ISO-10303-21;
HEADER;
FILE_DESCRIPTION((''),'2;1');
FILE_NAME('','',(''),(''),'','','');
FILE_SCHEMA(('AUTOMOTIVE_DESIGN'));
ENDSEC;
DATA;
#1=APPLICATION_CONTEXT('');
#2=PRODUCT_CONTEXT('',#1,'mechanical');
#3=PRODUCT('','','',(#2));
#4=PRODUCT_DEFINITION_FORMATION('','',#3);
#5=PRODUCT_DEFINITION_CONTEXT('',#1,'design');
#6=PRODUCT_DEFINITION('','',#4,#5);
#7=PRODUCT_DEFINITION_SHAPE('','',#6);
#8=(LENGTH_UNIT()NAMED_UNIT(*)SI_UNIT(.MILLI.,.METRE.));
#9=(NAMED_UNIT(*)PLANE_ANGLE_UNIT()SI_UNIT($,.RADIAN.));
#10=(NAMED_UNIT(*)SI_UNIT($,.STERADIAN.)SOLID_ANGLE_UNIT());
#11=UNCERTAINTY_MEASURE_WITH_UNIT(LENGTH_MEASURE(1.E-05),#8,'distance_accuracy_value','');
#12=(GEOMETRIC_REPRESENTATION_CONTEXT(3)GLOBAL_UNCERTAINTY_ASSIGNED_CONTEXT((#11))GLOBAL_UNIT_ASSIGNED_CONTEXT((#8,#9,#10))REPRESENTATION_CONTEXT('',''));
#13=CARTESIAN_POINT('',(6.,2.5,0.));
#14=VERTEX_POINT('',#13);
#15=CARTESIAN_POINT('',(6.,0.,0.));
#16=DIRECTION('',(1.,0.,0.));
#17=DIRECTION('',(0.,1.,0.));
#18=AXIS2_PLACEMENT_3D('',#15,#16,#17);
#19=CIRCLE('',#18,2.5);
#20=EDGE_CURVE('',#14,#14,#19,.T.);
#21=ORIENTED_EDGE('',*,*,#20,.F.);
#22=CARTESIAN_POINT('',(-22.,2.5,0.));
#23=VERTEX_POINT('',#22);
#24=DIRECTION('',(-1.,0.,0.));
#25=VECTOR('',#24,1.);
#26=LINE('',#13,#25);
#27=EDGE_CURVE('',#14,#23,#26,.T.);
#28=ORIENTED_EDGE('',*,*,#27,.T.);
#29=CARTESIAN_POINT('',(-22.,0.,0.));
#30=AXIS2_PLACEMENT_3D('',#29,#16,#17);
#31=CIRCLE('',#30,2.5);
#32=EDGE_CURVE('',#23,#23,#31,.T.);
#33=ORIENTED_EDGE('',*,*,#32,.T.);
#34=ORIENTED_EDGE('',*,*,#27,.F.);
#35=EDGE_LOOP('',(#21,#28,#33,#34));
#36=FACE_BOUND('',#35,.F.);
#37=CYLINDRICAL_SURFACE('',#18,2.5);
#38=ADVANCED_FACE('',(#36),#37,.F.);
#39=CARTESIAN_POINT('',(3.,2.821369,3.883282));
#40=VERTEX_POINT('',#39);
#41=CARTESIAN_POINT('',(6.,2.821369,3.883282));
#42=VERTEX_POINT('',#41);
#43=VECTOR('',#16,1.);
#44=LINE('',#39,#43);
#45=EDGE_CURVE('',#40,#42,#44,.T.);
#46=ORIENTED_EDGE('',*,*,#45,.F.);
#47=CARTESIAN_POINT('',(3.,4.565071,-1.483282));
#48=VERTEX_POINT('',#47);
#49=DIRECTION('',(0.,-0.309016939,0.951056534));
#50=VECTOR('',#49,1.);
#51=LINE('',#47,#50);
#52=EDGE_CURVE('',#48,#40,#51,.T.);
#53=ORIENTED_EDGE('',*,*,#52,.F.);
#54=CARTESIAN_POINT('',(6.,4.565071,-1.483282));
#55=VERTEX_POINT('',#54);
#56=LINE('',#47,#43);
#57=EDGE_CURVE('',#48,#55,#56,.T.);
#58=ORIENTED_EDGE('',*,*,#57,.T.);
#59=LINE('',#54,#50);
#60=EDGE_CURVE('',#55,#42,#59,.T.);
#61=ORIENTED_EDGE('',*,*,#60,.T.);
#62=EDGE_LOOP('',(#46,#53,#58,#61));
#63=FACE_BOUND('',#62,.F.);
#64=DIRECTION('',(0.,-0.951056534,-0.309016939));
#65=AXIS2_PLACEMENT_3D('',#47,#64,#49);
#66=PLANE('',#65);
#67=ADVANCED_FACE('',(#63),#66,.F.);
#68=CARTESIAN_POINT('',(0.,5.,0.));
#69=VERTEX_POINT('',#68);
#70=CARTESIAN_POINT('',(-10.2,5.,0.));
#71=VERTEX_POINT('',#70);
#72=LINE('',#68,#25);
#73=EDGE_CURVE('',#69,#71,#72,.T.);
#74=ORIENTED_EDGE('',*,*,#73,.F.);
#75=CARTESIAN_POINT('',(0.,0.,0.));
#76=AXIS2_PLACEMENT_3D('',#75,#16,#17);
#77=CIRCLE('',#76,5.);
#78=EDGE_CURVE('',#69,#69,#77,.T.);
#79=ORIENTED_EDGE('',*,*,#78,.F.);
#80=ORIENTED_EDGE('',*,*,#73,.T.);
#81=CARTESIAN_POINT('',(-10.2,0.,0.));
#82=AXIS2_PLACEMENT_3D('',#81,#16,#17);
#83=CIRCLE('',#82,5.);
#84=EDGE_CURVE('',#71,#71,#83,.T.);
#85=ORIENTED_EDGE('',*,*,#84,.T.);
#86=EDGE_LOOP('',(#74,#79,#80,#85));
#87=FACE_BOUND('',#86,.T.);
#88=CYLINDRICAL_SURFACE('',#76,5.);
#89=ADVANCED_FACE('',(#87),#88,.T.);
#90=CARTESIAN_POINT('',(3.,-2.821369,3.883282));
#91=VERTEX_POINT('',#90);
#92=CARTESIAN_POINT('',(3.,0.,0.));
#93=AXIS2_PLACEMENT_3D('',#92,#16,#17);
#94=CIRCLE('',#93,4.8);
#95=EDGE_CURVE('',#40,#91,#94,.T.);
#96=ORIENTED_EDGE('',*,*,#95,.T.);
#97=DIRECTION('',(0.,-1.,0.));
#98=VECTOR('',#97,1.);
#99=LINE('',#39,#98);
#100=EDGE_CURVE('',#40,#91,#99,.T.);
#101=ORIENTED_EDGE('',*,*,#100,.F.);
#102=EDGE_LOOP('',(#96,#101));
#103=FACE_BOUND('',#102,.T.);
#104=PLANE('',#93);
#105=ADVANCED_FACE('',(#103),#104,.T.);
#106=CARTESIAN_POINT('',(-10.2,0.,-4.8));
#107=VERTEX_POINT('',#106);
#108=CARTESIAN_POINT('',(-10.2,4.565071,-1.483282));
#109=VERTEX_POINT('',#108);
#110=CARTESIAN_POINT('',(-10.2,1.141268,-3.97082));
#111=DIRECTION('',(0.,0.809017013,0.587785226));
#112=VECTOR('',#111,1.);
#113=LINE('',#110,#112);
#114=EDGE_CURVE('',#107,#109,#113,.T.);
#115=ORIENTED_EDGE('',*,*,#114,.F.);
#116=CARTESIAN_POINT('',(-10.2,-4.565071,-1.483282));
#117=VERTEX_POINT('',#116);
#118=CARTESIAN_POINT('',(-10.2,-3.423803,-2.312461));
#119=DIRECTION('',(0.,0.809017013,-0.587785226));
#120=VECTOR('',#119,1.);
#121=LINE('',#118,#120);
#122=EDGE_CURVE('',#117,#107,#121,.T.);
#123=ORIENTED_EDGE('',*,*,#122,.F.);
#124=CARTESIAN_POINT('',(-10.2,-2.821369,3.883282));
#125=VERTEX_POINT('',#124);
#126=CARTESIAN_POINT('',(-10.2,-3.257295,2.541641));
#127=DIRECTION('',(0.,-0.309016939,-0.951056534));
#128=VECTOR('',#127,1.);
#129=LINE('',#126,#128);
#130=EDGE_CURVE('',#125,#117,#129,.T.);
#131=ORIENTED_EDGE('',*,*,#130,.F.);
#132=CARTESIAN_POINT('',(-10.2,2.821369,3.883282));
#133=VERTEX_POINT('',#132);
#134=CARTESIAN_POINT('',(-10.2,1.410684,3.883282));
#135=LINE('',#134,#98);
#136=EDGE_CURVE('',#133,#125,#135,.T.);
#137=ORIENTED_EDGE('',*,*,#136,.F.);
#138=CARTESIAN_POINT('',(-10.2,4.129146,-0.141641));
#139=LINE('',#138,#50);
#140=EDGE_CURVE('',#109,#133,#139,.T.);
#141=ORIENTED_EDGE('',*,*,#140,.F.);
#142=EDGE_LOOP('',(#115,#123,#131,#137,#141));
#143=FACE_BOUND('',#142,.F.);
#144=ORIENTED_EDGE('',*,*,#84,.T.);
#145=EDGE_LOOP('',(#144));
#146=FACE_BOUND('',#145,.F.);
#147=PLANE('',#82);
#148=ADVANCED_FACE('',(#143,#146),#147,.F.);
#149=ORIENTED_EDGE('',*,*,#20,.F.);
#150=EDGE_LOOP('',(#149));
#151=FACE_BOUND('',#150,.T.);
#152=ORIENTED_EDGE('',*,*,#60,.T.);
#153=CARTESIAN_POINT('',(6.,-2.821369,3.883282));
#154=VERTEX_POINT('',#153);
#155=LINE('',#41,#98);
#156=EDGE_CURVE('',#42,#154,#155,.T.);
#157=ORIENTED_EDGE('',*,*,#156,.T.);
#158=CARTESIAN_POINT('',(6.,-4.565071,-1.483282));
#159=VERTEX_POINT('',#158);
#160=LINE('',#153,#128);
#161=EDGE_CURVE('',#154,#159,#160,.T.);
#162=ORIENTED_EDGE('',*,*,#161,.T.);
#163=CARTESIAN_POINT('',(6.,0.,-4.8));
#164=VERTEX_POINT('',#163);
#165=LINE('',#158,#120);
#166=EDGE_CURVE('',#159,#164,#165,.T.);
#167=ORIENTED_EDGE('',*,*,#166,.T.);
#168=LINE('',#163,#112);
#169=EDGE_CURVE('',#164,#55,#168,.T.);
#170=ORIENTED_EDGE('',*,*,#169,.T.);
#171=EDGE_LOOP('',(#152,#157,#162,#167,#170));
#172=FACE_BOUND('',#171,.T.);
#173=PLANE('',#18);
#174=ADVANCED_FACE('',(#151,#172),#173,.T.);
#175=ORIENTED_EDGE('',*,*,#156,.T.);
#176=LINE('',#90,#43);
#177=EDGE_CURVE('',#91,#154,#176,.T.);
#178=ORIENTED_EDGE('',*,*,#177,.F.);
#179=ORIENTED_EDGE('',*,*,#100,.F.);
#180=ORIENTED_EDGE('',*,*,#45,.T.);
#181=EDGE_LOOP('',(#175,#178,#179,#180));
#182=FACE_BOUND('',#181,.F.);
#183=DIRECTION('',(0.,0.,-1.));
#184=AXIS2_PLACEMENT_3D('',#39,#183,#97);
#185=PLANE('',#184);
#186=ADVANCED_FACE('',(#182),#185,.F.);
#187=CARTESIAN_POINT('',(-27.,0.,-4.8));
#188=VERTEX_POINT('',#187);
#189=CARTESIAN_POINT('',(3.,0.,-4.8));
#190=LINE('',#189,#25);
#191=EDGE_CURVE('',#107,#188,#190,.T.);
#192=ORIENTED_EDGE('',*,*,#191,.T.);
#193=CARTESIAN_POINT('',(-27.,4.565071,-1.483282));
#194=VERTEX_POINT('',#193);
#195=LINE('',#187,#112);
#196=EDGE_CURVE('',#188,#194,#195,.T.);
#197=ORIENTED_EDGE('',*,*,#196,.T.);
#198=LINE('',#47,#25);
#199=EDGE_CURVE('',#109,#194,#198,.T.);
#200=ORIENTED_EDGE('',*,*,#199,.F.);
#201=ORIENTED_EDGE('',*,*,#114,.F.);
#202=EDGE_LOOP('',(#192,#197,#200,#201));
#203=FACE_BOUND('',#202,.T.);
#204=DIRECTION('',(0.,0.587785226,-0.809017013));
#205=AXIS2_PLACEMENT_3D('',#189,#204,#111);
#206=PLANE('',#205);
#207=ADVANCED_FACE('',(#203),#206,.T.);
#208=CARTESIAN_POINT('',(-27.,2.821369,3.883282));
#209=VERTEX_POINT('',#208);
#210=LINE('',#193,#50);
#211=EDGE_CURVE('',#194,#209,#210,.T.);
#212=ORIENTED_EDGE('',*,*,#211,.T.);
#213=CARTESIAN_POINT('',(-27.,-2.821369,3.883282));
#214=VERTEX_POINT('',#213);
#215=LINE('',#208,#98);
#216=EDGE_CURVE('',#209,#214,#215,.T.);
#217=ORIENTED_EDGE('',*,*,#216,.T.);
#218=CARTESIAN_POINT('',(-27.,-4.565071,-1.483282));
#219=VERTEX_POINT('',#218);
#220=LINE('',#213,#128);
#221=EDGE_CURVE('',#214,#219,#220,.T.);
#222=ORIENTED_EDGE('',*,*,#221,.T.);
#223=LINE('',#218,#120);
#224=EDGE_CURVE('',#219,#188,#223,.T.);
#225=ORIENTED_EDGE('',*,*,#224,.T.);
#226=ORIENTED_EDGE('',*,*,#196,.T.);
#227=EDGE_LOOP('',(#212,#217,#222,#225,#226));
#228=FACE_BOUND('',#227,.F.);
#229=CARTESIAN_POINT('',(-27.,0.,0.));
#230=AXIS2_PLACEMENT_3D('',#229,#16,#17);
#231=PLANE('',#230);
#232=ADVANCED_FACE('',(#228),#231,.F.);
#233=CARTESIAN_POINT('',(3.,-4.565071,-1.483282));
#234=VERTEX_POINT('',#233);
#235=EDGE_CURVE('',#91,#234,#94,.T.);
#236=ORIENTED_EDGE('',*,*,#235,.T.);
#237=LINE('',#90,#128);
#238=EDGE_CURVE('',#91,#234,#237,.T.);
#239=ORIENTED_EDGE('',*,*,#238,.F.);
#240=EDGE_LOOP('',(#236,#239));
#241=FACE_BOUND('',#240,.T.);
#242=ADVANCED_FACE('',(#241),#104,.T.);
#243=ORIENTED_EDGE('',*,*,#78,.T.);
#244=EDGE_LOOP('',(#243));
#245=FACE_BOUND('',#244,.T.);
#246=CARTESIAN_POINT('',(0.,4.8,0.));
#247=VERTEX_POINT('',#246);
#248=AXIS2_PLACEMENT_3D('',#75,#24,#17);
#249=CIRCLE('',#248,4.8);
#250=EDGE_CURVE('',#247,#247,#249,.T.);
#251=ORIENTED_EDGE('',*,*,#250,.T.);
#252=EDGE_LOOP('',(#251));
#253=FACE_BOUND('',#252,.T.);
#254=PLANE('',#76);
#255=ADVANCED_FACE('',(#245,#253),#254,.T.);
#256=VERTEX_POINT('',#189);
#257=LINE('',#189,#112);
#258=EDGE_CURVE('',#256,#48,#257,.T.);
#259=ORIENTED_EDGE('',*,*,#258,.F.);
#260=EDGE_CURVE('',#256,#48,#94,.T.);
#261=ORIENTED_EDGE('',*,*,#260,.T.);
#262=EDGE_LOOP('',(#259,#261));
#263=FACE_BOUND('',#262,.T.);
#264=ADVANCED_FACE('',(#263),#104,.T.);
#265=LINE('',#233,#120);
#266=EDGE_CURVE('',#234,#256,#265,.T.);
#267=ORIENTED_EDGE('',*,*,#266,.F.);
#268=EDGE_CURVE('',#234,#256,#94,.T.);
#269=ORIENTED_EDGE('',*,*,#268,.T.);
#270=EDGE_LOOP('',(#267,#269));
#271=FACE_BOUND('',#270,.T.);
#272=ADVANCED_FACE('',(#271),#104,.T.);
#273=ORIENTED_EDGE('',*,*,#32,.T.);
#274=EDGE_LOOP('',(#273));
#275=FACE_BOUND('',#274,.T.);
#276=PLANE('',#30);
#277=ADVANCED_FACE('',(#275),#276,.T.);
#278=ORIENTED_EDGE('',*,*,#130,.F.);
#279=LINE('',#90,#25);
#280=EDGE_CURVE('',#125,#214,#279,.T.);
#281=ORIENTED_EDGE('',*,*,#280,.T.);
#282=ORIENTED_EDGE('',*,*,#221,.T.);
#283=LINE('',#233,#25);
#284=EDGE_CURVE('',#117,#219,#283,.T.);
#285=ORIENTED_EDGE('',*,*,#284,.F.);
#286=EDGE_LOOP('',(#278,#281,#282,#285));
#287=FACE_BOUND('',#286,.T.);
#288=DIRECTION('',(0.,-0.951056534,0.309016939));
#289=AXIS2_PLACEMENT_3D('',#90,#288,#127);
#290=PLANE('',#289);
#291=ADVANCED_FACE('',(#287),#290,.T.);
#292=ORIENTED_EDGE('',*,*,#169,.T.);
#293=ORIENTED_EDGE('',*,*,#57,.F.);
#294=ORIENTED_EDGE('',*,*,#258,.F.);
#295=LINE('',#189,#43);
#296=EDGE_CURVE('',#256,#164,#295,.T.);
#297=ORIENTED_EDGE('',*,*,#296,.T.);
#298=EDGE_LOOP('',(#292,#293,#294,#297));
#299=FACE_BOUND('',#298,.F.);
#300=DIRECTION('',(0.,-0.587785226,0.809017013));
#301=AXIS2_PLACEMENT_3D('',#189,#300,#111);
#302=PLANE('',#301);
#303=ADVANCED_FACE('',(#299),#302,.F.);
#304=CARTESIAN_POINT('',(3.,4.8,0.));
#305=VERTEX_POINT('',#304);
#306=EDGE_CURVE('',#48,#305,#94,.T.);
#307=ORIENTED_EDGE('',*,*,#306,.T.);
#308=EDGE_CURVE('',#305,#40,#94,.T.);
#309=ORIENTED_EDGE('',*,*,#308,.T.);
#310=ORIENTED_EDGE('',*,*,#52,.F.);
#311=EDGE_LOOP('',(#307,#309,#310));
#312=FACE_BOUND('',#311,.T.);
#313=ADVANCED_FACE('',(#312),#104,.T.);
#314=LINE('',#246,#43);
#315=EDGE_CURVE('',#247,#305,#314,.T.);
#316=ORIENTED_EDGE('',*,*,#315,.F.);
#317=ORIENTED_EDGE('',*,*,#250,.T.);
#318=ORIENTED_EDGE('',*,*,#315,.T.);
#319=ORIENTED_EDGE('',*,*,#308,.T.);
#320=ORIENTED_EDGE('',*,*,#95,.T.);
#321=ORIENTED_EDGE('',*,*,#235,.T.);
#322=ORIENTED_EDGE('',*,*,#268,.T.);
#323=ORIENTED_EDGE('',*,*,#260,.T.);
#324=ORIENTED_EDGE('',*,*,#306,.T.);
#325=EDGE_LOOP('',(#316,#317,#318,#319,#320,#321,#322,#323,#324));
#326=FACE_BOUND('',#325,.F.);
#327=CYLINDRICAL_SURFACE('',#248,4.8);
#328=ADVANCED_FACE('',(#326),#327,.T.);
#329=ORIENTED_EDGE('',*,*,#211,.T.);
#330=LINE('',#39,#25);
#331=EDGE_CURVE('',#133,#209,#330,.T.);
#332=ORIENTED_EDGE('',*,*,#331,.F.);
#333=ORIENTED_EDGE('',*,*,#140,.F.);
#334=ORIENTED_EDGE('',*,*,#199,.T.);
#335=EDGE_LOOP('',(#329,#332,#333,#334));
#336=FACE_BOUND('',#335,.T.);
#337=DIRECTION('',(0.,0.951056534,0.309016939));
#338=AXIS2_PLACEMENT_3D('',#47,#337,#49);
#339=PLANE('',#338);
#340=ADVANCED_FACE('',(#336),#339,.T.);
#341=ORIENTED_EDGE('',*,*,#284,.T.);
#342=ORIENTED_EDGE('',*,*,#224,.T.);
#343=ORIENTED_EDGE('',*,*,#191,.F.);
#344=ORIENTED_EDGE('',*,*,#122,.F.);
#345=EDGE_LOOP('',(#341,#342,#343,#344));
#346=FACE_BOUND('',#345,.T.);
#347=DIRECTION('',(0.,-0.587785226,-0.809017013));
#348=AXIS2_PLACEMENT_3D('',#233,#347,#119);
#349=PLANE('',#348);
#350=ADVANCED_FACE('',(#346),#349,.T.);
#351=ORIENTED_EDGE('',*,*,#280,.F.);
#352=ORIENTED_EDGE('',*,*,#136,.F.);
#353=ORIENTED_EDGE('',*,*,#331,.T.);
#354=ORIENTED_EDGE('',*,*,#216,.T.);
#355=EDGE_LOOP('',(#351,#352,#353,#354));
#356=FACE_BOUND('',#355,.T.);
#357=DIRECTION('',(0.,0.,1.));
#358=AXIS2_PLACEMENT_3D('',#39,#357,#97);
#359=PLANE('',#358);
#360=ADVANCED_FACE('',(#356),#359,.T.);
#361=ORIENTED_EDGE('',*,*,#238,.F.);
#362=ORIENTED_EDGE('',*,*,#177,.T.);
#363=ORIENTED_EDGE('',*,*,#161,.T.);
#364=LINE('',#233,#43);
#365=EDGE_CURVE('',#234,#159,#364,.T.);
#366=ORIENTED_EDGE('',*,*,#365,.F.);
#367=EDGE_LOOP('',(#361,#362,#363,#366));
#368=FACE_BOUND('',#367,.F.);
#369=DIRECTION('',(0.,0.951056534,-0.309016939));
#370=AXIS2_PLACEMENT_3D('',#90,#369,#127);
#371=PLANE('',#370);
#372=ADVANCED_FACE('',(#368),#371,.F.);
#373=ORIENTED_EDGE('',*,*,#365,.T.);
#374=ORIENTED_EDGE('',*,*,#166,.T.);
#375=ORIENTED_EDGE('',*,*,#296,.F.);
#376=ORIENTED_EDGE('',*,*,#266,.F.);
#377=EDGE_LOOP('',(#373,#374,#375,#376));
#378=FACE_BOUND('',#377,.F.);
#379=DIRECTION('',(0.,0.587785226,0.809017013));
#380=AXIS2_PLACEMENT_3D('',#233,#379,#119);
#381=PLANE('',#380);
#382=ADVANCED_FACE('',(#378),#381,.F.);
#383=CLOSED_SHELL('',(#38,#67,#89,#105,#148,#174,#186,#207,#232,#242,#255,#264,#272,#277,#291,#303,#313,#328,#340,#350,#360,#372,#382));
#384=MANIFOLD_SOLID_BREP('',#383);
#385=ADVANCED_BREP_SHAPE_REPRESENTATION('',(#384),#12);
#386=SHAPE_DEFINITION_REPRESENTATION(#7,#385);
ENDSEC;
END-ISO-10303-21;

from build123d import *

# Parameters (mm, degrees)
F0_R          = 5
F1_DEPTH      = 10.2
F2_R          = 4.8
F3_DEPTH      = 3
F5_DEPTH      = 3
F5_DEPTH_BACK = 30
F6_R          = 2.5
F7_DEPTH      = 28


with BuildPart() as f1:
    # F0 (on Right) → F1 (new body)
    with BuildSketch(Plane.YZ):
        Circle(F0_R)
    extrude(amount=-F1_DEPTH)

    # F2 (on face) → F3 (join)
    with BuildSketch(Plane.YZ):
        Circle(F2_R)
    extrude(amount=F3_DEPTH)

    # F4 (on face) → F5 (join, two sides)
    with BuildSketch(Plane.YZ.offset(3)) as f5_sk:
        Polygon((-4.565071, -1.483282), (0, -4.8), (4.565071, -1.483282), (2.821369, 3.883282), (-2.821369, 3.883282), align=None)
    extrude(amount=F5_DEPTH)
    extrude(f5_sk.sketch, amount=-F5_DEPTH_BACK)

    # F6 (on face) → F7 (cut)
    with BuildSketch(Plane.YZ.offset(6)):
        Circle(F6_R)
    extrude(amount=-F7_DEPTH, mode=Mode.SUBTRACT)


solid = f1.part
